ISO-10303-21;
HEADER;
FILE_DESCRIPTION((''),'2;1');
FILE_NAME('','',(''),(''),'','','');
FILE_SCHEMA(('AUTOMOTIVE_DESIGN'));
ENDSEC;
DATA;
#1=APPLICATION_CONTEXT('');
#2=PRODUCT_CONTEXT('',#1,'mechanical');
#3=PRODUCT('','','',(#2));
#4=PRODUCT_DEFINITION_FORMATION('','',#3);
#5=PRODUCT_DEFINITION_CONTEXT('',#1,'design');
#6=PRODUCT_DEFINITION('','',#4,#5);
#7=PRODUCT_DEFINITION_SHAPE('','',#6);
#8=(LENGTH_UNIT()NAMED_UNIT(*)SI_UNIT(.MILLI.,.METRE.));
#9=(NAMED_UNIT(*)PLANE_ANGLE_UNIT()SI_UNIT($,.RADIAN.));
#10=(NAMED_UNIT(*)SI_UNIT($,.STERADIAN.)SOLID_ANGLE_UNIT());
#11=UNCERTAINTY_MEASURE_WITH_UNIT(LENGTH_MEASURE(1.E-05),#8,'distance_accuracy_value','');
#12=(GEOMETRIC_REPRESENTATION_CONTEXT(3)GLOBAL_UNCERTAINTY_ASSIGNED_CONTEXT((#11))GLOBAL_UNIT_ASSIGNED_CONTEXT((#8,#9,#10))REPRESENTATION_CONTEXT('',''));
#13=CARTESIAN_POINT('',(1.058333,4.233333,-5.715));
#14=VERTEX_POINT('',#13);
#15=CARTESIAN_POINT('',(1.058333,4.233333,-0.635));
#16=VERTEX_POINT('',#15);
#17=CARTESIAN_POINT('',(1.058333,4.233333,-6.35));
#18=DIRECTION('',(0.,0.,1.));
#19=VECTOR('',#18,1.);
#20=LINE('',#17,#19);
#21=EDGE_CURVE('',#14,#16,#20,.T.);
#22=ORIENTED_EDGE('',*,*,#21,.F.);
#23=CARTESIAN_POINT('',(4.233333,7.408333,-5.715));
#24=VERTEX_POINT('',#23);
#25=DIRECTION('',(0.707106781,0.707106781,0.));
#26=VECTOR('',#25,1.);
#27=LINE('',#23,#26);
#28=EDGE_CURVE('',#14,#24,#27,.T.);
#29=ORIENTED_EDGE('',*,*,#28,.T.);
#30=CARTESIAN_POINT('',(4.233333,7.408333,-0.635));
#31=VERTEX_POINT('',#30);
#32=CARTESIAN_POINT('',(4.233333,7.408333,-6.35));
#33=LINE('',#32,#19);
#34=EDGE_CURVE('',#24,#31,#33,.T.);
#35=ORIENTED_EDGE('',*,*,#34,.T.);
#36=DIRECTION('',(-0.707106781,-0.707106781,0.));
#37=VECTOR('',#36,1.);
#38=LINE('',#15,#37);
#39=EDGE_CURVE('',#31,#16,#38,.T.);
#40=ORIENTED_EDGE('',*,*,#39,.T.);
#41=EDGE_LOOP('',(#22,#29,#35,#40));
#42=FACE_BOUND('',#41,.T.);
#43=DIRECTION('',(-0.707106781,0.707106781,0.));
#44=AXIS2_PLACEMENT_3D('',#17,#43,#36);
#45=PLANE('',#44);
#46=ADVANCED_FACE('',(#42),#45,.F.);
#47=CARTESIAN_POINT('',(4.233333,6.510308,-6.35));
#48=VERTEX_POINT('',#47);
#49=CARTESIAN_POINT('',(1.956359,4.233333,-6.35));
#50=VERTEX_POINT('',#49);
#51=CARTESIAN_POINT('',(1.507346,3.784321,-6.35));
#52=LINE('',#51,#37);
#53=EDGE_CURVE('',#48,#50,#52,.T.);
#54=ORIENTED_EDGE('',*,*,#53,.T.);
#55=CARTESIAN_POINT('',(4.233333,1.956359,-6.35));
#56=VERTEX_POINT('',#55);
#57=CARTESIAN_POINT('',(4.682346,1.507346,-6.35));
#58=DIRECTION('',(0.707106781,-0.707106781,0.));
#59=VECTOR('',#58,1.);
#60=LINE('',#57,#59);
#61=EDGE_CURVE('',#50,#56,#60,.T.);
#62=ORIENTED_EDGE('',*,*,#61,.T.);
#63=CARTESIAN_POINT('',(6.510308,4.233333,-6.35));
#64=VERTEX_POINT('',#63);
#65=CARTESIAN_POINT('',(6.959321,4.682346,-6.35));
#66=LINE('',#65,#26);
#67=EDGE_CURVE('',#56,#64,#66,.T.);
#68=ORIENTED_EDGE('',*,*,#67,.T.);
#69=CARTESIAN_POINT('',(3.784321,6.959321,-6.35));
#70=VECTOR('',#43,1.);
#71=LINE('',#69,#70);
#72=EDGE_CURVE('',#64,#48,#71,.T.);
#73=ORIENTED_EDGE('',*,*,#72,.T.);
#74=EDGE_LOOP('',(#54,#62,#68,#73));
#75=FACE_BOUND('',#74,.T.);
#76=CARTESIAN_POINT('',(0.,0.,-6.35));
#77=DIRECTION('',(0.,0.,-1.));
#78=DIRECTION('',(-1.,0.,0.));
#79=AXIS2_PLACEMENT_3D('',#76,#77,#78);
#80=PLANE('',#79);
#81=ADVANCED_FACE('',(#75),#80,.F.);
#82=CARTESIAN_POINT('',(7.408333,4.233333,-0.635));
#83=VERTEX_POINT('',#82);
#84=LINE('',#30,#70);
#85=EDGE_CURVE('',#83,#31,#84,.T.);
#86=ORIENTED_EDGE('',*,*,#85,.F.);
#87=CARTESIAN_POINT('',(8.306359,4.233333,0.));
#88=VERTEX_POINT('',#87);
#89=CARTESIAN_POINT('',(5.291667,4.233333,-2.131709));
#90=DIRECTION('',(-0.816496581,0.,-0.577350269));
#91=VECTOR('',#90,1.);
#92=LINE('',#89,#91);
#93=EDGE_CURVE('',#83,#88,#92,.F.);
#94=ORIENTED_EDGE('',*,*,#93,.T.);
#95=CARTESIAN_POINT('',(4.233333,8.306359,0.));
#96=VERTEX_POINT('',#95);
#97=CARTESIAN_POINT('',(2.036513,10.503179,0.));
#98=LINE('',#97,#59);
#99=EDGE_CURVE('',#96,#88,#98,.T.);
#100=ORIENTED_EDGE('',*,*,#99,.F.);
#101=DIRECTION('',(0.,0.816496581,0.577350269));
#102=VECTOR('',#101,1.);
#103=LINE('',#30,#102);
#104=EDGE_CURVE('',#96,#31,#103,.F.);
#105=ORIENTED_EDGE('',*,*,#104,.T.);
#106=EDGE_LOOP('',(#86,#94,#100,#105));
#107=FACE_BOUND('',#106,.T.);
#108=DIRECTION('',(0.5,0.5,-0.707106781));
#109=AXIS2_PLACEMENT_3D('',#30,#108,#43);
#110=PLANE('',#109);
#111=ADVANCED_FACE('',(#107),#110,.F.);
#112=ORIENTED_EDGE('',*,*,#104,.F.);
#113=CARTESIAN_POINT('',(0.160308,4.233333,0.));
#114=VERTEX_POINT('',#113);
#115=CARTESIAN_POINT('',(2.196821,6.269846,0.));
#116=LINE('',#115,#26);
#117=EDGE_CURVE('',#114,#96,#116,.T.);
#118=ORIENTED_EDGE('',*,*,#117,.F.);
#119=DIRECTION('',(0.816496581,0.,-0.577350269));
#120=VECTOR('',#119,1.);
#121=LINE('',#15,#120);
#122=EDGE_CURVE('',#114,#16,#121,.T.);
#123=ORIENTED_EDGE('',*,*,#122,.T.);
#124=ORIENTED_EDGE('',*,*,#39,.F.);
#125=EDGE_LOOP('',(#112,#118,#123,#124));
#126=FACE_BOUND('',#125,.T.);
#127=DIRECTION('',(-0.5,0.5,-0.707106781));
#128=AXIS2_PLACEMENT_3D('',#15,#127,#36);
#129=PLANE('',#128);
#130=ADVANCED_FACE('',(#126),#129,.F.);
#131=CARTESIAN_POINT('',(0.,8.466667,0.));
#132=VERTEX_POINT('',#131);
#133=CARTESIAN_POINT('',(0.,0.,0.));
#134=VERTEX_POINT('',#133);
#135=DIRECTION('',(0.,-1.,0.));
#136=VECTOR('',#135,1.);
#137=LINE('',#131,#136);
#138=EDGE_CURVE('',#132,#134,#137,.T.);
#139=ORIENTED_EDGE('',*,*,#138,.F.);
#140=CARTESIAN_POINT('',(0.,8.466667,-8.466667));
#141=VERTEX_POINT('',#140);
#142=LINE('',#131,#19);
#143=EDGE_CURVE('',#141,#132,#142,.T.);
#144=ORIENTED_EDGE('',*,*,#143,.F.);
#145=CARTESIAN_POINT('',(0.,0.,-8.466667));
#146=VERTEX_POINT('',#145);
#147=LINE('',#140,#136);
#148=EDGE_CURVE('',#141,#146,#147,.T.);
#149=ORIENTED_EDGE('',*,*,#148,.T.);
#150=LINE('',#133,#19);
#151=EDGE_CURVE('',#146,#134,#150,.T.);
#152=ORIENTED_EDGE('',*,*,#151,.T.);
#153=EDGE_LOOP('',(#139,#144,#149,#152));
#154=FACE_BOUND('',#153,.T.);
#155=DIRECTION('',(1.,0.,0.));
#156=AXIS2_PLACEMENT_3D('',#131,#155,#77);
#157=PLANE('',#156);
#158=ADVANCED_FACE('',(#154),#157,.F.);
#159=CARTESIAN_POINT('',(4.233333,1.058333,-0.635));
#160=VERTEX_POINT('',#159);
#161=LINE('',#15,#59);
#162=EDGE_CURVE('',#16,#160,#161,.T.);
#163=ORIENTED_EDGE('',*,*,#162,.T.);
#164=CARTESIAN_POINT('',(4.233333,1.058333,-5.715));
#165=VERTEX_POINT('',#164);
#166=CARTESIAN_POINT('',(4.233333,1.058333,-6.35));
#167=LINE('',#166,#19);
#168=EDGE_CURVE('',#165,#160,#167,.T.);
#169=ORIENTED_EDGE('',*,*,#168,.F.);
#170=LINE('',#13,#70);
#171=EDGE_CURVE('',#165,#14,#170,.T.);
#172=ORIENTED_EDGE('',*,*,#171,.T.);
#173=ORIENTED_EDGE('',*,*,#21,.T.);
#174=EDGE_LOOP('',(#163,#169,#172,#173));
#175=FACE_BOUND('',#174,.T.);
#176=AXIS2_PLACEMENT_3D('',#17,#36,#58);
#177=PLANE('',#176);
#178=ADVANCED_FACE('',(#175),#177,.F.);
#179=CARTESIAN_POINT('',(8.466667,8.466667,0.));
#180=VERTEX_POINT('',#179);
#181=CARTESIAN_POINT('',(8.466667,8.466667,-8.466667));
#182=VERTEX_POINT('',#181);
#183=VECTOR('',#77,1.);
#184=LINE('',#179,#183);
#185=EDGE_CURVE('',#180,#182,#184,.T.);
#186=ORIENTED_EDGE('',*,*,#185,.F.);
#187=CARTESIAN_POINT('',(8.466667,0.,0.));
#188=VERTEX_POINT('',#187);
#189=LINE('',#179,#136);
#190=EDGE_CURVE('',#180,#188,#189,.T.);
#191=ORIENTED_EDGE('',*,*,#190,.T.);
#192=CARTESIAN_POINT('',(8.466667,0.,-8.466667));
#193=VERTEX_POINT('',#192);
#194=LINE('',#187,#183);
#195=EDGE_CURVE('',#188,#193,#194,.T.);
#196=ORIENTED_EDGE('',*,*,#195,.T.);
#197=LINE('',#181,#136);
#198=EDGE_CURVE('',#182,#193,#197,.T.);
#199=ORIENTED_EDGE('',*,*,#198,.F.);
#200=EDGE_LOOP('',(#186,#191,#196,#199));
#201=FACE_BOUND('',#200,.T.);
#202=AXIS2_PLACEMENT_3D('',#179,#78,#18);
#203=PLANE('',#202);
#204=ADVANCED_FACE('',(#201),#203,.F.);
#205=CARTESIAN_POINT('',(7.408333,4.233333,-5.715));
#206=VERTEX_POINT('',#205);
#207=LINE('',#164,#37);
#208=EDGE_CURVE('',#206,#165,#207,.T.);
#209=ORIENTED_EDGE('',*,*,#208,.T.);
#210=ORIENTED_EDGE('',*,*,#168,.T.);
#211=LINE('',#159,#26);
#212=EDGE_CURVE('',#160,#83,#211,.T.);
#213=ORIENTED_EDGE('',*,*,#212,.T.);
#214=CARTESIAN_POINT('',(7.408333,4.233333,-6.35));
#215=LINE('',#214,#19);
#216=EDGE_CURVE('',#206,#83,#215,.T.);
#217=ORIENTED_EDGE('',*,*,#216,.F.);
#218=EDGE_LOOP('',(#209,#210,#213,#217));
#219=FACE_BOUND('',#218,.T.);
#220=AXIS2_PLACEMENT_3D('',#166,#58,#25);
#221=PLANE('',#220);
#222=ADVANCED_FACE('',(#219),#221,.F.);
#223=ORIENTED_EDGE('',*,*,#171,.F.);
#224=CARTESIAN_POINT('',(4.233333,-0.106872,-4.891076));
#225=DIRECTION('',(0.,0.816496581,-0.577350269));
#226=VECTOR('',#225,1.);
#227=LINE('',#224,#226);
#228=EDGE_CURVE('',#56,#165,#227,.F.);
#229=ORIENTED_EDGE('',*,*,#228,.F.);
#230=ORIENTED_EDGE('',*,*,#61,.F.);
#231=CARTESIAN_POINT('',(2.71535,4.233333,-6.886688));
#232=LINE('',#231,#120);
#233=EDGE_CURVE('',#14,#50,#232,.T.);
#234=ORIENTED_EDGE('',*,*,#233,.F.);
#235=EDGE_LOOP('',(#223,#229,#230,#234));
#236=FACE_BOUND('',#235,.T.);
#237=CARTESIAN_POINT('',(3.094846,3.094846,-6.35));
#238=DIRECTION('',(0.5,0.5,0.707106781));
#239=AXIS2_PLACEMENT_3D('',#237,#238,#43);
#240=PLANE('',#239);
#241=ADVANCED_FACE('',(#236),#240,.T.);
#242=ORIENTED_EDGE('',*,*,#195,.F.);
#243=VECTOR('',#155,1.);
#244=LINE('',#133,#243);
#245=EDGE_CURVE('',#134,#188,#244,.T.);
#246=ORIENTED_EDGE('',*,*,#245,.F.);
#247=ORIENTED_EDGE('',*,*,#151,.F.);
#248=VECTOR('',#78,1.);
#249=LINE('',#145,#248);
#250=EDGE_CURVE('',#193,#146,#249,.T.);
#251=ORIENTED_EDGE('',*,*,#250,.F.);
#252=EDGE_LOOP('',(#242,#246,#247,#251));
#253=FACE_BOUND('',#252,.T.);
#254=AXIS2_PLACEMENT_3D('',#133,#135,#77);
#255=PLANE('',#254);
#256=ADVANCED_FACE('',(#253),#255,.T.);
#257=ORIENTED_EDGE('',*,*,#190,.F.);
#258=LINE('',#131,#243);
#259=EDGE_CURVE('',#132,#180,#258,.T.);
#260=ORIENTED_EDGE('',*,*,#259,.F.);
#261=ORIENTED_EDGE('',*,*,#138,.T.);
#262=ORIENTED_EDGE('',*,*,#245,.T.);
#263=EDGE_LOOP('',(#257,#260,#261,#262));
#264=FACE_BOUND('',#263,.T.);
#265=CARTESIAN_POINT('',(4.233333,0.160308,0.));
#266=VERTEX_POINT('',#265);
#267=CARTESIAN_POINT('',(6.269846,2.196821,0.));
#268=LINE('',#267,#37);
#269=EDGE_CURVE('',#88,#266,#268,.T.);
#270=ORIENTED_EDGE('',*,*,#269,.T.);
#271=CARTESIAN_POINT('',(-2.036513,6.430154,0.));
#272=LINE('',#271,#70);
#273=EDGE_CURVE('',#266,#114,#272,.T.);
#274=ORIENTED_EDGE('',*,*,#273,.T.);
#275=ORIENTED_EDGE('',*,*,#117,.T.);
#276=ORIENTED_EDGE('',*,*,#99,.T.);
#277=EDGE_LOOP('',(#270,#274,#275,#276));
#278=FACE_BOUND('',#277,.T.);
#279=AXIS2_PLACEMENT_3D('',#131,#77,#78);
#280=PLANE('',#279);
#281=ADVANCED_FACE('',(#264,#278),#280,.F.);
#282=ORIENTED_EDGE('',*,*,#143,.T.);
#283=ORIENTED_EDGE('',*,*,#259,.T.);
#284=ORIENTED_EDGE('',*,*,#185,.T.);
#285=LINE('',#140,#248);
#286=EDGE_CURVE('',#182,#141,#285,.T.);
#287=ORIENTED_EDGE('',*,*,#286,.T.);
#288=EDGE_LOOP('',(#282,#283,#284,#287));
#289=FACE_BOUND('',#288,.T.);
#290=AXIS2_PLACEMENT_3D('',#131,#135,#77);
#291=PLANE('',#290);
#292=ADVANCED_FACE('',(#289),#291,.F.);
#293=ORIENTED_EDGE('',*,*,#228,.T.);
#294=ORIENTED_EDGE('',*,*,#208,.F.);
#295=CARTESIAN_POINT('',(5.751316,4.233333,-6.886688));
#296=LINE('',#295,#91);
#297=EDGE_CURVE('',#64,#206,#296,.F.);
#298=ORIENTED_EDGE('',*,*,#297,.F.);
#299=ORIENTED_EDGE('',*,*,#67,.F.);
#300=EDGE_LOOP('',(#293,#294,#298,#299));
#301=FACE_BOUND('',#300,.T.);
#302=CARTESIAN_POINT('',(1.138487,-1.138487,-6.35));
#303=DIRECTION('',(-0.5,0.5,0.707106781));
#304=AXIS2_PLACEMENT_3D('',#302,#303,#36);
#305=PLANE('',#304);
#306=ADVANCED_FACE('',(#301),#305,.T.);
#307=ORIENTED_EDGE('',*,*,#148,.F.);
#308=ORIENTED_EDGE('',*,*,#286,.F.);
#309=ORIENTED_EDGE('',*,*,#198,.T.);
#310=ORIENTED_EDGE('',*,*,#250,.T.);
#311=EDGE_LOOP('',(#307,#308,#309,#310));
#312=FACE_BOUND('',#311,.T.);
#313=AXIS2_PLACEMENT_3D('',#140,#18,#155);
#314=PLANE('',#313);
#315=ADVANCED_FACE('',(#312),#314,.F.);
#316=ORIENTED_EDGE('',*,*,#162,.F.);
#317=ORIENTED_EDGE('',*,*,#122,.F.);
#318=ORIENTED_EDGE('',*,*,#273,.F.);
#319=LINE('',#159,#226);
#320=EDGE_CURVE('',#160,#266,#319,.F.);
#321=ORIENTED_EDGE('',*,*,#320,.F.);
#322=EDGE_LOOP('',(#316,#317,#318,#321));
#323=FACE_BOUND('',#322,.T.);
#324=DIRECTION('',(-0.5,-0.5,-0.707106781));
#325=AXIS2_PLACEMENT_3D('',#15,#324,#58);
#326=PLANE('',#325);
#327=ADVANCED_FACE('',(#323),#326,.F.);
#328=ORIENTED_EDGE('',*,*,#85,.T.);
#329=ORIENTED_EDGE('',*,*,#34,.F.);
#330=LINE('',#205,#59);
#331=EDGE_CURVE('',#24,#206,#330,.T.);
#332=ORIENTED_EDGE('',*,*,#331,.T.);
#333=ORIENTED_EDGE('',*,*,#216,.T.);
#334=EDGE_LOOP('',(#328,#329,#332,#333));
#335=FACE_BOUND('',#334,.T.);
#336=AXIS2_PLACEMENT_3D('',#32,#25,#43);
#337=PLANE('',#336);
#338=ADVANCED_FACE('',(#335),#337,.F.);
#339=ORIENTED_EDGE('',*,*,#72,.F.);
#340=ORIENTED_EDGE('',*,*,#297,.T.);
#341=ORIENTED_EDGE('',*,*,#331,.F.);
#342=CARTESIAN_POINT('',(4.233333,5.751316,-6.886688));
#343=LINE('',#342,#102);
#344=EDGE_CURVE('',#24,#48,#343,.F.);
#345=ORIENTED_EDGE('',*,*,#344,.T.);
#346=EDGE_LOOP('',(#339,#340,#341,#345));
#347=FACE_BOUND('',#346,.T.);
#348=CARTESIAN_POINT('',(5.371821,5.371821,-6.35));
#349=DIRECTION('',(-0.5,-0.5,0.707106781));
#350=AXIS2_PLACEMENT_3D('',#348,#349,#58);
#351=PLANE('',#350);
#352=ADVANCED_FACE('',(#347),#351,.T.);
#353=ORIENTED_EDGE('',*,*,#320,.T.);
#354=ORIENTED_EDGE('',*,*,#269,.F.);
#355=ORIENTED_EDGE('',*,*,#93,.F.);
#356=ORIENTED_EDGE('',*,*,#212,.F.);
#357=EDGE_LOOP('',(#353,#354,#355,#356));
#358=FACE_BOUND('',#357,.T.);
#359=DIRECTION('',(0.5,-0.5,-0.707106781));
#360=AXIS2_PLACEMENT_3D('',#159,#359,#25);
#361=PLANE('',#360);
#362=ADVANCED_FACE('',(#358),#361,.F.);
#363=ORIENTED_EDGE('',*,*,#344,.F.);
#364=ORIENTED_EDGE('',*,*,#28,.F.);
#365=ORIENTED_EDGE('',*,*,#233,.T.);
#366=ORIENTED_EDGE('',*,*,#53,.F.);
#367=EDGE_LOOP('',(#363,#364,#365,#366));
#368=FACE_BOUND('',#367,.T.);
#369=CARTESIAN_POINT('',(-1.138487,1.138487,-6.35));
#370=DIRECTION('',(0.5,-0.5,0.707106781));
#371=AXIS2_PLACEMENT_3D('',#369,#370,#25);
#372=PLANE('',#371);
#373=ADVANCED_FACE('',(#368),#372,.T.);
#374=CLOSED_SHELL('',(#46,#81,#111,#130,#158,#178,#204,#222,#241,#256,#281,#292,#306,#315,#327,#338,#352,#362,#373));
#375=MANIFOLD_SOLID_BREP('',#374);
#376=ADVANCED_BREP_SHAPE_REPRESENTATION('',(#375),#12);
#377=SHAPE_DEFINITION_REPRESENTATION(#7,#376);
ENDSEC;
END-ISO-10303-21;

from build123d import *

# Parameters (mm, degrees)
SKETCH1_W           = 8.466666667
SKETCH1_H           = 8.466666667
BOSS_EXTRUDE1_DEPTH = 8.466666667
CUT_EXTRUDE1_DEPTH  = 6.35
CHAMFER1_SIZE       = 0.635


with BuildPart() as part:
    # Sketch1 → Boss-Extrude1 (new body)
    with BuildSketch(Plane(origin=(0, 0, 0), x_dir=(1, 0, 0), z_dir=(0, 1, 0))):
        with Locations((4.233333334, 4.233333334)):
            Rectangle(SKETCH1_W, SKETCH1_H)
    extrude(amount=BOSS_EXTRUDE1_DEPTH)

    # Sketch3 → Cut-Extrude1 (cut)
    with BuildSketch(Plane.XY):
        Polygon((1.058333333, 4.233333333), (4.233333333, 1.058333333), (7.408333333, 4.233333333), (4.233333333, 7.408333333), align=None)
    extrude(amount=-CUT_EXTRUDE1_DEPTH, mode=Mode.SUBTRACT)

    # Chamfer1
    chamfer1_edges = [part.edges().sort_by_distance(p)[0] for p in [
        (2.645833333, 5.820833333, -6.35),
        (5.820833333, 5.820833333, -6.35),
        (5.820833333, 2.645833333, -6.35),
        (2.645833333, 2.645833333, -6.35),
        (2.645833333, 5.820833333, 0),
        (2.645833333, 2.645833333, 0),
        (5.820833333, 2.645833333, 0),
        (5.820833333, 5.820833333, 0),
    ]]
    chamfer(chamfer1_edges, length=CHAMFER1_SIZE)


solid = part.part
